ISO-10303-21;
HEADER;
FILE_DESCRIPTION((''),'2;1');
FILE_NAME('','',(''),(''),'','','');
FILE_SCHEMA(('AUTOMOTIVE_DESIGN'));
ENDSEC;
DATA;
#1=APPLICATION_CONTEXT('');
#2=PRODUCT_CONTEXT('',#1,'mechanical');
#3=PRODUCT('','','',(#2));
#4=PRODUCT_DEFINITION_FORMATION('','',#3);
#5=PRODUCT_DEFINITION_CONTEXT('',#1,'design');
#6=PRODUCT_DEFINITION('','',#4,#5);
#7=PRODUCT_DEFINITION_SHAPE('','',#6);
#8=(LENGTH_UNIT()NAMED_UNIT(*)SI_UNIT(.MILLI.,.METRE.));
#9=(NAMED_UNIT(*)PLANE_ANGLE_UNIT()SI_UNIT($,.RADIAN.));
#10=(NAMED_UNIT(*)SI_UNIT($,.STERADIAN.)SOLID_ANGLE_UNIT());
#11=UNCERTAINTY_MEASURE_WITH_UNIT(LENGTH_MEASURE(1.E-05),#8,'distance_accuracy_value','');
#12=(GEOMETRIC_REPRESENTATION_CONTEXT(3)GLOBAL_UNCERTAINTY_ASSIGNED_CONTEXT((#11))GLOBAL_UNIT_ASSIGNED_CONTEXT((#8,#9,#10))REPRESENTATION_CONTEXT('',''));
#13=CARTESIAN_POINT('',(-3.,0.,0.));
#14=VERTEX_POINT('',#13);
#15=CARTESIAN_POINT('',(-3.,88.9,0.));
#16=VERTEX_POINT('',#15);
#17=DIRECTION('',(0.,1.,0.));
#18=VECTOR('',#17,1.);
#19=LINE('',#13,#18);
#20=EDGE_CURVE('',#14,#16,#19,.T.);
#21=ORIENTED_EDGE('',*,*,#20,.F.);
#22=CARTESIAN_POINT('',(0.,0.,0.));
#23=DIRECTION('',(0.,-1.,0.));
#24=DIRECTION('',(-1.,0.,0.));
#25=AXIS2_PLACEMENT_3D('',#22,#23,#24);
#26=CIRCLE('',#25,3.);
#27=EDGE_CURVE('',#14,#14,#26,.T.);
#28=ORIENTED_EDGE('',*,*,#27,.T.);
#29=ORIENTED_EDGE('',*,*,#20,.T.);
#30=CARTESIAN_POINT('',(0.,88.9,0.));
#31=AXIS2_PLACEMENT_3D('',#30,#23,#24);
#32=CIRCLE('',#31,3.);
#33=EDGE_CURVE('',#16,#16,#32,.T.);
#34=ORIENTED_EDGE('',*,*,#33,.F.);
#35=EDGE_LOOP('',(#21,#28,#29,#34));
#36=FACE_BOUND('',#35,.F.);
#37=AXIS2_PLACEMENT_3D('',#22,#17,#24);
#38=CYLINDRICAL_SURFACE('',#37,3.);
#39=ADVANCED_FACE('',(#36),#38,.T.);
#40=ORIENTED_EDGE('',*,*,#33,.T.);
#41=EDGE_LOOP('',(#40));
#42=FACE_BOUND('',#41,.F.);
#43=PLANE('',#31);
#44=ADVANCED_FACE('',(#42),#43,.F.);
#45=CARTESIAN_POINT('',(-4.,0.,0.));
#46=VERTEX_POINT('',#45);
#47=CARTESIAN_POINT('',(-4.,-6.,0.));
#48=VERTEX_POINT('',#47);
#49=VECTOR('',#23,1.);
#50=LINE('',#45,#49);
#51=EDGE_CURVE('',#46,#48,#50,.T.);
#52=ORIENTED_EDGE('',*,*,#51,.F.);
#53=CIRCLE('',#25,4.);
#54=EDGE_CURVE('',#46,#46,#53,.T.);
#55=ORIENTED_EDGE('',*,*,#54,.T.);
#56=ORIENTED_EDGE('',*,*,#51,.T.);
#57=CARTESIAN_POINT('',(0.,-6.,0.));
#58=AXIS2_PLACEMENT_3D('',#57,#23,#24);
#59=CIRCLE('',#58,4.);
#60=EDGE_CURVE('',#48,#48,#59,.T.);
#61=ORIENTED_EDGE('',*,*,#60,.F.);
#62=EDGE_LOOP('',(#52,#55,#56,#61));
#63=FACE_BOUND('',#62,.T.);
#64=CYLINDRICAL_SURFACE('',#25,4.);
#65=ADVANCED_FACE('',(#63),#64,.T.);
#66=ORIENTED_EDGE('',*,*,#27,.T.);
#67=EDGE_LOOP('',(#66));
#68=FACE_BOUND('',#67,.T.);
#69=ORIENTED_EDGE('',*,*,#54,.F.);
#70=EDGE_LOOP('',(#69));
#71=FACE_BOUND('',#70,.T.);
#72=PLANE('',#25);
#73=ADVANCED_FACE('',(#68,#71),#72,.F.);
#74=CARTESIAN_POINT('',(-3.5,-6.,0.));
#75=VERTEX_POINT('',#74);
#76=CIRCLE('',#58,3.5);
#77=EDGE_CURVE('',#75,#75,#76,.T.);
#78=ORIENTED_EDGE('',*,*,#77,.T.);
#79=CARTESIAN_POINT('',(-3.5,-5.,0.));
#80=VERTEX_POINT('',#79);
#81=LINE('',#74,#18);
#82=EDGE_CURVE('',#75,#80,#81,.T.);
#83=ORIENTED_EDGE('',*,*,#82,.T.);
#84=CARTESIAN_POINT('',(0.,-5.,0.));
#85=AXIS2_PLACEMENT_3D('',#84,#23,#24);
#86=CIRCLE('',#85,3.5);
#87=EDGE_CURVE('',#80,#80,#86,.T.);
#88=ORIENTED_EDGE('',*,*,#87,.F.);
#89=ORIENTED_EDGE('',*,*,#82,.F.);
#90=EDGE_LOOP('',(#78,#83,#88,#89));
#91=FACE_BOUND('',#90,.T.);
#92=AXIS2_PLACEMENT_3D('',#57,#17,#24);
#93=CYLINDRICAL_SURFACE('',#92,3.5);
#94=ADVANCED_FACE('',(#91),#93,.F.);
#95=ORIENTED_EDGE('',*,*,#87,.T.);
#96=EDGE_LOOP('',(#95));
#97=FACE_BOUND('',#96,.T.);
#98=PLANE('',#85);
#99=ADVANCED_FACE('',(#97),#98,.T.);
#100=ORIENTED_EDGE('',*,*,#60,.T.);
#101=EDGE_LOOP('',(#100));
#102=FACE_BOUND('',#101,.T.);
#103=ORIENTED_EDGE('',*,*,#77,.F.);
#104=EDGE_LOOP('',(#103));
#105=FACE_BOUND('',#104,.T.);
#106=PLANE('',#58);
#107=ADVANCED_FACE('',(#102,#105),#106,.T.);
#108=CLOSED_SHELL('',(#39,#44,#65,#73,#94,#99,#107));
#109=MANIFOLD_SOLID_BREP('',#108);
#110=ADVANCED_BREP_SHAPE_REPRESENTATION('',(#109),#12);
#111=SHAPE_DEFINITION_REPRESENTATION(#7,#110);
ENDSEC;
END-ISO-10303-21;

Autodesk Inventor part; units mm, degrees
ref_plane "YZ Plane" through (0, 0, 0) normal (1, 0, 0) x (0, 1, 0)
ref_plane "XZ Plane" through (0, 0, 0) normal (0, 1, 0) x (-1, 0, 0)
ref_plane "XY Plane" through (0, 0, 0) normal (0, 0, 1) x (1, 0, 0)
sketch "Sketch1" plane through (0, 0, 0) normal (0, 0, 1) x (1, 0, 0)
  line L0 (-3, 0) -> (-3, 88.9)
  line L1 (-3, 88.9) -> (0, 88.9)
  line L2 (0, 88.9) -> (0, 0)
  line L3 (-3, 0) -> (-4, 0)
  line L4 (-4, 0) -> (-4, -6)
  line L5 (-4, -6) -> (-3.5, -6)
  line L6 (-3.5, -6) -> (-3.5, -5)
  line L7 (-3.5, -5) -> (0, -5)
  line L8 (0, -5) -> (0, 0)
  dimension "d0" = 3
  dimension "d1" = 88.9
  dimension "d7" = 6
  dimension "d9" = 4
  dimension "d10" = 1
  dimension "d11" = 0.5
revolve "Revolution1" add sketch "Sketch1" angle 360 about axis through (0, 88.9, 0) along (0, -1, 0)
equation "\"BendRadius\" = Thickness"
equation "\"BendReliefWidth\" = Thickness"
equation "\"BendReliefDepth\" = 0.5 * Thickness"
equation "\"CornerReliefSize\" = 4 * Thickness"
equation "\"MinimumRemnant\" = 2 * Thickness"
equation "\"TransitionRadius\" = BendRadius"
equation "\"JacobiRadiusSize\" = BendRadius"
equation "\"GapSize\" = Thickness"
equation "\"Thickness\" = 0.5"
properties part number "Pusher.Pushrod" material "Stainless Steel"
